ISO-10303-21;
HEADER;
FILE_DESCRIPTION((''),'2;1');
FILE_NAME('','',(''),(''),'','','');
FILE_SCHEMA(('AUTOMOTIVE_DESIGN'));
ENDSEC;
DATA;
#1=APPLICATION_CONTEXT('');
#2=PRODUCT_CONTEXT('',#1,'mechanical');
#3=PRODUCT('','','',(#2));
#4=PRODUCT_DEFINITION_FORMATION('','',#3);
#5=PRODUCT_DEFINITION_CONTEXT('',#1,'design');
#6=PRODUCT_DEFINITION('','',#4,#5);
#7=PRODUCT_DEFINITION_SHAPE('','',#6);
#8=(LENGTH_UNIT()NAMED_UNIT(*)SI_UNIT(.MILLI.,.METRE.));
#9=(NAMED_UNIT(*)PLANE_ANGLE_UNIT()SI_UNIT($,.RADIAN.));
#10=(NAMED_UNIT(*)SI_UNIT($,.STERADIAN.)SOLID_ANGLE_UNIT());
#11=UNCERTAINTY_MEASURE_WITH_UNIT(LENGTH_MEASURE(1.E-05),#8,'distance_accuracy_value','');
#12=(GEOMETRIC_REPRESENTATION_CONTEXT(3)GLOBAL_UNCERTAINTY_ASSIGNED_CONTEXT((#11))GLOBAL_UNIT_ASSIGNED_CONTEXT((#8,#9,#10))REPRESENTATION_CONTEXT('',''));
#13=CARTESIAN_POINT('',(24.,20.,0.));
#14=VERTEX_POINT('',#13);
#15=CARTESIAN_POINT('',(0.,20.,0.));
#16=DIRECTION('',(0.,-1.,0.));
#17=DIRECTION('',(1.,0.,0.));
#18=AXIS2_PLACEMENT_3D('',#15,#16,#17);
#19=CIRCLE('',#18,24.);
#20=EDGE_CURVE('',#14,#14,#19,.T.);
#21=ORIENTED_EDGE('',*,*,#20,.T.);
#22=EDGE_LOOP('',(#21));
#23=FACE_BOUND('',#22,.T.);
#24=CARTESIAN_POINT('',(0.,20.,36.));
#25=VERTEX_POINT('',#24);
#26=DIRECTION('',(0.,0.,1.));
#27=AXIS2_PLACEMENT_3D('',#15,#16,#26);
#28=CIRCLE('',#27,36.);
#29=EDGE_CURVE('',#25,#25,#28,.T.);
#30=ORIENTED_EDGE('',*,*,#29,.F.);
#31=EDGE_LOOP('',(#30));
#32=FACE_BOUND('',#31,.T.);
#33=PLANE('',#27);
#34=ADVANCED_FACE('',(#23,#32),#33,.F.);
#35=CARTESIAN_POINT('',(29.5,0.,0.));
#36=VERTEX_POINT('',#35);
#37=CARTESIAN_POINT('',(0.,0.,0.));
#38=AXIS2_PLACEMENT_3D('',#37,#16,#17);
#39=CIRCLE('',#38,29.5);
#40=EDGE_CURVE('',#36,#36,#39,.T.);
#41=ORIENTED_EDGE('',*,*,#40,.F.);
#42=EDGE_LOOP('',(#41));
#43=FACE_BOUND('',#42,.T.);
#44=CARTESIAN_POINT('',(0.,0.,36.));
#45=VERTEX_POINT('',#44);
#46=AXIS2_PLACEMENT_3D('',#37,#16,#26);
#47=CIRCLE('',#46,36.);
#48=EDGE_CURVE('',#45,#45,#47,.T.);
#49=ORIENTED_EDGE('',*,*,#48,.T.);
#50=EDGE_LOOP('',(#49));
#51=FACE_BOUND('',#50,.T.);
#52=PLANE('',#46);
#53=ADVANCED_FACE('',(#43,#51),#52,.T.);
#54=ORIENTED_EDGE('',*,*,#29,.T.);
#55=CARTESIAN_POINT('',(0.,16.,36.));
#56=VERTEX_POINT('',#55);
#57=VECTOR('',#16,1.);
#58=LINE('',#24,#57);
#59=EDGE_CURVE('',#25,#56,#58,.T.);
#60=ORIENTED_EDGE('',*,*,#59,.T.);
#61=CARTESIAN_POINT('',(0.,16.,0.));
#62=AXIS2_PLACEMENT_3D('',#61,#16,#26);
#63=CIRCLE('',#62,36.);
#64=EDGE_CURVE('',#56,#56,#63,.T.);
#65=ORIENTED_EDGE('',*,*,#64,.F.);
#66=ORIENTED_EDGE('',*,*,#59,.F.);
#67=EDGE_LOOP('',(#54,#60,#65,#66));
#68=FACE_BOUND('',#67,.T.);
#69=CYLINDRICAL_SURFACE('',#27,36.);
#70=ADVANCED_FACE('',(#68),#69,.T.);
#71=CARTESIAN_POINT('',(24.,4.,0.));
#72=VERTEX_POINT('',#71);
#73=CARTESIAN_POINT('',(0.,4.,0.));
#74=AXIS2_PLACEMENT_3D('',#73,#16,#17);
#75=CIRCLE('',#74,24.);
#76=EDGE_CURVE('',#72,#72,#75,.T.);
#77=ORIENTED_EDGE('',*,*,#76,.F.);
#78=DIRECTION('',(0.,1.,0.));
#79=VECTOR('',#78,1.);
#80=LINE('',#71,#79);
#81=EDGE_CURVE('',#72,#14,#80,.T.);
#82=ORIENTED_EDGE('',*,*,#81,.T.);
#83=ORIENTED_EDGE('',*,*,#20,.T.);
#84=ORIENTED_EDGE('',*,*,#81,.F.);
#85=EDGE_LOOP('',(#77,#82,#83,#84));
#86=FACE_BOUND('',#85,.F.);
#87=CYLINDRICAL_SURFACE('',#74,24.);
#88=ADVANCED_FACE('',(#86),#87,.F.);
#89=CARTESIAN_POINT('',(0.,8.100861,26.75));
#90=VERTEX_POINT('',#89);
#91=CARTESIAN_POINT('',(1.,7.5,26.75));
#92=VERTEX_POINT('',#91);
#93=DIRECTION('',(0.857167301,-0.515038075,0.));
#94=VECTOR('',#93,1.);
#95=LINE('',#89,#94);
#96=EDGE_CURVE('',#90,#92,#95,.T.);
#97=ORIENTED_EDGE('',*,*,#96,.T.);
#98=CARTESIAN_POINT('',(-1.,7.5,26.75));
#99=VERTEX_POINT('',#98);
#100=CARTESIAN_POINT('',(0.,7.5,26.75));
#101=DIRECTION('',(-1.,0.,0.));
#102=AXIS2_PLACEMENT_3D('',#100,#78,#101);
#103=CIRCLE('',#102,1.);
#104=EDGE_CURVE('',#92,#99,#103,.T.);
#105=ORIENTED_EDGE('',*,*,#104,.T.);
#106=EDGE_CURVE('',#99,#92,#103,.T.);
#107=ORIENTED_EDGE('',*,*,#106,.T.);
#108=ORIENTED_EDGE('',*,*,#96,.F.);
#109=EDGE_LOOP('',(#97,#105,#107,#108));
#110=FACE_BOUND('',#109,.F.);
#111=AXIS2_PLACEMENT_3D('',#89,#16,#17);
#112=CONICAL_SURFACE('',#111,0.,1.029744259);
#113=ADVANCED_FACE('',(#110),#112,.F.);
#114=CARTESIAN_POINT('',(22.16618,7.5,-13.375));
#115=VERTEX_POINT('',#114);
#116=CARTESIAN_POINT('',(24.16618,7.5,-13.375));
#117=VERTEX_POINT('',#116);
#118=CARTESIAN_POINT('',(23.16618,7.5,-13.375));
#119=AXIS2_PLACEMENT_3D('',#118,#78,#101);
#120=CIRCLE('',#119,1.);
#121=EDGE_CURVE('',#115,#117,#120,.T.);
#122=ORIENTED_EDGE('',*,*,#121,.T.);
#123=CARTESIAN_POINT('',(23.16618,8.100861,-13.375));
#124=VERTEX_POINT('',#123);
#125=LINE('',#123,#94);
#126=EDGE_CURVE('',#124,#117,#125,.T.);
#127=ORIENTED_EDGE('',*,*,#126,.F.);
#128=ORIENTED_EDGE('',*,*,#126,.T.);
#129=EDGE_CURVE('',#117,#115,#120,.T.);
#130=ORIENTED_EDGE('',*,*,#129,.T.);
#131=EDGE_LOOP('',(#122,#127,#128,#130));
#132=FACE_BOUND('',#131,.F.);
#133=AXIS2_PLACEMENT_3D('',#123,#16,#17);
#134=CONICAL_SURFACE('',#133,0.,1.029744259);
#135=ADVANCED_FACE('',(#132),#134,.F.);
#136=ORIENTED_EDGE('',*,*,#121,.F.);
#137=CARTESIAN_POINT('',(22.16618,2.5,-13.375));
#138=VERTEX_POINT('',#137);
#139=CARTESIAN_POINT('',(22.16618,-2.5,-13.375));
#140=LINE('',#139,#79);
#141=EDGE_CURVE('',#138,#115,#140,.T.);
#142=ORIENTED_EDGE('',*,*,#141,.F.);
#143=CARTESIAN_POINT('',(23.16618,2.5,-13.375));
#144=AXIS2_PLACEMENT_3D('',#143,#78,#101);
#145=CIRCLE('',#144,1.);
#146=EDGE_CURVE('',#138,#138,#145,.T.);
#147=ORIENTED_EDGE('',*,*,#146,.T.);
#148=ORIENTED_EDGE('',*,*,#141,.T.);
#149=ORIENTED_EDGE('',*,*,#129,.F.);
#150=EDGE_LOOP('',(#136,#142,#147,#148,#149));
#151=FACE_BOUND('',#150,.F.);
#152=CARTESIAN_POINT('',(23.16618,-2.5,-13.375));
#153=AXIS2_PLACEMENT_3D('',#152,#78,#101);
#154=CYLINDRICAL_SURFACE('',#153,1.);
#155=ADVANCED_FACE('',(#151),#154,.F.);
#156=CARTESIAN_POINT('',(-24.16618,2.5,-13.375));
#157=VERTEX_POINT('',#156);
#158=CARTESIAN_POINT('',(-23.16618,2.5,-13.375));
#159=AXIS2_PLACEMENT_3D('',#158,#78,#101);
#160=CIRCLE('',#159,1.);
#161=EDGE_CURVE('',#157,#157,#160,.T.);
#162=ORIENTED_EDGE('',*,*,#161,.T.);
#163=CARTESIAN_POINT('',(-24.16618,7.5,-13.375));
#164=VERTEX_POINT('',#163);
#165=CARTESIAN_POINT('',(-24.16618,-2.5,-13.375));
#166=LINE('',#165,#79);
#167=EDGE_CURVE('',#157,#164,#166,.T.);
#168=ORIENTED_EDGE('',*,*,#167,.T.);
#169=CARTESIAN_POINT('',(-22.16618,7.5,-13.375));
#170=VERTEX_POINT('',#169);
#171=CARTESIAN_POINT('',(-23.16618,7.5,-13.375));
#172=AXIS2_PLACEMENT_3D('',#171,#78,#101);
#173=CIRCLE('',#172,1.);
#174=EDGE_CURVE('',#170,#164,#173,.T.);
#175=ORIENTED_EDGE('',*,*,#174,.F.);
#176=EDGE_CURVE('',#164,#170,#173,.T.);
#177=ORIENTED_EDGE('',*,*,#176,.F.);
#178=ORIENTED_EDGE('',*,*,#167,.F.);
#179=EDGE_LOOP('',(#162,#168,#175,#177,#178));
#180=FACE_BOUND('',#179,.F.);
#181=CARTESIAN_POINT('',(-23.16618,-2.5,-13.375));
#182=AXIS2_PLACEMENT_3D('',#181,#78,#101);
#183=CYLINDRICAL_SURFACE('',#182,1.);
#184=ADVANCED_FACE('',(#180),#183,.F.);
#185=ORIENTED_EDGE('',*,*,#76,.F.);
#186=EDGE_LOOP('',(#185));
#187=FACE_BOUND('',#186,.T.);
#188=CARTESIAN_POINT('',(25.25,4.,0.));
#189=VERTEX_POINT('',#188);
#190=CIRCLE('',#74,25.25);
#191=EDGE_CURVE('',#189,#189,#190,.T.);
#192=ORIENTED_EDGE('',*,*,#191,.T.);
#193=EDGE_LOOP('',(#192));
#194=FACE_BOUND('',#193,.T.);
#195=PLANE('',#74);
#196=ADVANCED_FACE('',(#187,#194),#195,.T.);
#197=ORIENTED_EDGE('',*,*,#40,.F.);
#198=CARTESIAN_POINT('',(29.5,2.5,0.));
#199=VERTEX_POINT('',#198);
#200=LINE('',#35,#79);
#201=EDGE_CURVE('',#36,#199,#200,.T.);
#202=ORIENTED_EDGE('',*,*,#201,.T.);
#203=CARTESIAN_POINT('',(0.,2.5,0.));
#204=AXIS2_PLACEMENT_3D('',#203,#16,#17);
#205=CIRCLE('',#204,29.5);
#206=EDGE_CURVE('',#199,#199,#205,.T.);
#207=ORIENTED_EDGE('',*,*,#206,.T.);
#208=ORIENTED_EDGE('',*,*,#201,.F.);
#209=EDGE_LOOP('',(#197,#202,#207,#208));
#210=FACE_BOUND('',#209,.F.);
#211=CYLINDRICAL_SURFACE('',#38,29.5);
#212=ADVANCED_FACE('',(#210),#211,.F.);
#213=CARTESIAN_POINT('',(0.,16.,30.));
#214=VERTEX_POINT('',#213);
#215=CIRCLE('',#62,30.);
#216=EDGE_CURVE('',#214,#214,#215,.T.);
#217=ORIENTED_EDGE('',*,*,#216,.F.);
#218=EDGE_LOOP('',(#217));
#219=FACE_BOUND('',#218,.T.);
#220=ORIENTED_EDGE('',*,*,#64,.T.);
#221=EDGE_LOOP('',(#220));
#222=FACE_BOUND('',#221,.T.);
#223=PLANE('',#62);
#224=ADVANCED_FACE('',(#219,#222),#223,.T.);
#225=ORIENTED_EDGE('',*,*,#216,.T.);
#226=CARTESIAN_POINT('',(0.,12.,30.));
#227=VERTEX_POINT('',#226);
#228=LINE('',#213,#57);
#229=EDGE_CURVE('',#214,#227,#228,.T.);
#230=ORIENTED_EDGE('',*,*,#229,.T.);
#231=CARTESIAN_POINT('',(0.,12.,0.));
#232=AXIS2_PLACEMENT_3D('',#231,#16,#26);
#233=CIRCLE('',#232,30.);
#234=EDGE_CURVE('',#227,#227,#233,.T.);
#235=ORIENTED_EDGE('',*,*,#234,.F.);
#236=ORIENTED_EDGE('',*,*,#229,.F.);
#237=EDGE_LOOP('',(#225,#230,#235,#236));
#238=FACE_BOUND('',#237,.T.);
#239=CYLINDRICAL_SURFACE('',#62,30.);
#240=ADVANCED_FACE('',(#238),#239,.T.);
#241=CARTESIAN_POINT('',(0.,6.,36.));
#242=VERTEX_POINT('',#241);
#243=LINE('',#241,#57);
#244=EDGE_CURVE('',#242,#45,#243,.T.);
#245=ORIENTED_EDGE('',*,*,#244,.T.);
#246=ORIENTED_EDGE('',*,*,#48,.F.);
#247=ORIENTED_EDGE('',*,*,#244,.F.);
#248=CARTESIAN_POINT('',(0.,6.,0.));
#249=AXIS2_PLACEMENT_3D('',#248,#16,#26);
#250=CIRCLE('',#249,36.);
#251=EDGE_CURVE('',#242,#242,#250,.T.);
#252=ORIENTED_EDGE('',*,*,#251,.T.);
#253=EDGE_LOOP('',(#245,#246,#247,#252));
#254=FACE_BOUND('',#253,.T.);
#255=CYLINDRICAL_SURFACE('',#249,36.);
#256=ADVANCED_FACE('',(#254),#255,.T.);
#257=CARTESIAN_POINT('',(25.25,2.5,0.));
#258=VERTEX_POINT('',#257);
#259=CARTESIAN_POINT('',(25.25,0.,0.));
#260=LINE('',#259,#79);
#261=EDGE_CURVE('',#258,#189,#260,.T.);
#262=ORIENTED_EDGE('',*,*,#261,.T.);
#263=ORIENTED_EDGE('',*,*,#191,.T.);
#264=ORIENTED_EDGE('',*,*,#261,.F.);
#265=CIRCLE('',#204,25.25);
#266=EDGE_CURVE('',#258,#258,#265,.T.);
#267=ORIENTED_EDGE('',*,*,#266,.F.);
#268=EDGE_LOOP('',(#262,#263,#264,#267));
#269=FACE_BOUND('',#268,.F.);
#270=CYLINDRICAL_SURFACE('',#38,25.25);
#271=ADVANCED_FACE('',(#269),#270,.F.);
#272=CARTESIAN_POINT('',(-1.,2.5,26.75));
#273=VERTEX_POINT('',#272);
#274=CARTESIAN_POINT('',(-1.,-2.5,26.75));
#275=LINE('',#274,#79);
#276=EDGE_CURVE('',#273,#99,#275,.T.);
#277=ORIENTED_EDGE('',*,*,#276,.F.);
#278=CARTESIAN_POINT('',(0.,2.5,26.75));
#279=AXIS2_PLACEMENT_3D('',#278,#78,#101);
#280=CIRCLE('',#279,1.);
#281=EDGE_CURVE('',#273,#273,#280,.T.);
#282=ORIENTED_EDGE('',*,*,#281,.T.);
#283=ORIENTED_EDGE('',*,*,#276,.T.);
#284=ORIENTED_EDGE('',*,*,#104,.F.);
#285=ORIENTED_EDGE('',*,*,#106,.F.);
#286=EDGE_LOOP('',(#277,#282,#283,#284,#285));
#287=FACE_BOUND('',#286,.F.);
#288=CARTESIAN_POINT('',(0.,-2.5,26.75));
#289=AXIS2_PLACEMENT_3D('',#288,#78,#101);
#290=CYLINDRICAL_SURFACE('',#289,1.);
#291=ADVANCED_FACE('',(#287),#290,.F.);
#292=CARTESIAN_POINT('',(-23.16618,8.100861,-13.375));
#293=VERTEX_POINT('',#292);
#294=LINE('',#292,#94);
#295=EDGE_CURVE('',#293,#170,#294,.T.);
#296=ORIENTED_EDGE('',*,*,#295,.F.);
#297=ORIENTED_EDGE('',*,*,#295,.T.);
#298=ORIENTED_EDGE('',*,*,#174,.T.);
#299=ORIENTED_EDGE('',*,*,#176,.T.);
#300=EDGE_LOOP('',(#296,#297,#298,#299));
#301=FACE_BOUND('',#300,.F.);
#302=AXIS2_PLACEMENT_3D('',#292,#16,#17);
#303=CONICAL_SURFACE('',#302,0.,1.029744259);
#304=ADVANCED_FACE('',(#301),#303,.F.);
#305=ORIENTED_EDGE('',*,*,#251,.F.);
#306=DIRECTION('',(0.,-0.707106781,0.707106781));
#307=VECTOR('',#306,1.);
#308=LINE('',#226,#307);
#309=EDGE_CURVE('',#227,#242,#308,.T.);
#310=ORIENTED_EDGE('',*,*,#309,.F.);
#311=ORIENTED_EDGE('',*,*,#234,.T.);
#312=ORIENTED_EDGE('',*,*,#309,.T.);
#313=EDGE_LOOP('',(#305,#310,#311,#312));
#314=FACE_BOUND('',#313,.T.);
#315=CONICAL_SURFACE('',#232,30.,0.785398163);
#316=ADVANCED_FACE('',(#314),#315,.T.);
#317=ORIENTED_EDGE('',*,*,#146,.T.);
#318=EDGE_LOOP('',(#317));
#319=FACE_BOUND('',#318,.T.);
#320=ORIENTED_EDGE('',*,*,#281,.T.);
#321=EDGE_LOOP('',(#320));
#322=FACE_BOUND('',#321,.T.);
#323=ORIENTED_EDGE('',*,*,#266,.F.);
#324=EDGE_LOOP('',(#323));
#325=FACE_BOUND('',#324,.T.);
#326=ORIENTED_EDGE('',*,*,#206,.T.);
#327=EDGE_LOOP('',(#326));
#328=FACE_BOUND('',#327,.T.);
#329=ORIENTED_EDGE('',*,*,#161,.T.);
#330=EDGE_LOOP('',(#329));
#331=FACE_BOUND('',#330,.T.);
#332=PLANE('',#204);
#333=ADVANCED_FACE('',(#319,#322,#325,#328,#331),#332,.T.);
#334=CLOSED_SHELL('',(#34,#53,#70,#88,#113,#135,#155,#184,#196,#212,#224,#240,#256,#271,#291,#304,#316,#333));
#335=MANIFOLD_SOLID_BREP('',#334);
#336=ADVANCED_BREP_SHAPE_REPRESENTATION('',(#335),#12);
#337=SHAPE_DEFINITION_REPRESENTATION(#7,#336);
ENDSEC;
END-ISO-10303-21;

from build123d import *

# Parameters (mm, degrees)
F2_R     = 25.25
F3_DEPTH = 4
F4_R     = 24
F5_DEPTH = 16
F6_R     = 29.5
F6_R_2   = 25.25
F7_DEPTH = 2.5
F9_D     = 2
F9_DEPTH = 5
F9_TIP   = 0.600860619


with BuildPart() as f1:
    # F0 (on Right) → F1 (revolve)
    with BuildSketch(Plane.YZ):
        Polygon((0, 36), (0, 0), (20, 0), (20, 36), (16, 36), (16, 30), (12, 30), (6, 36), align=None)
    revolve(axis=Axis((0, 10, 0), (0, -1, 0)))

    # F2 (on face) → F3 (cut)
    with BuildSketch(Plane.XZ):
        Circle(F2_R)
    extrude(amount=-F3_DEPTH, mode=Mode.SUBTRACT)

    # F4 (on face) → F5 (cut, through all)
    with BuildSketch(Plane.XZ.offset(-4)):
        Circle(F4_R)
    extrude(amount=-F5_DEPTH, mode=Mode.SUBTRACT)

    # F6 (on face) → F7 (cut)
    with BuildSketch(Plane.XZ):
        Circle(F6_R)
        Circle(F6_R_2, mode=Mode.SUBTRACT)
    extrude(amount=-F7_DEPTH, mode=Mode.SUBTRACT)

    # F9
    with Locations(Plane.XZ.offset(-2.5)):
        with Locations((0, 26.75), (23.1661795512, -13.375), (-23.1661795512, -13.375)):
            Hole(F9_D / 2, depth=F9_DEPTH)
            with Locations((0, 0, -(F9_DEPTH + F9_TIP / 2))):  # 118° drill point
                Cone(0, F9_D / 2, F9_TIP, mode=Mode.SUBTRACT)


solid = f1.part
